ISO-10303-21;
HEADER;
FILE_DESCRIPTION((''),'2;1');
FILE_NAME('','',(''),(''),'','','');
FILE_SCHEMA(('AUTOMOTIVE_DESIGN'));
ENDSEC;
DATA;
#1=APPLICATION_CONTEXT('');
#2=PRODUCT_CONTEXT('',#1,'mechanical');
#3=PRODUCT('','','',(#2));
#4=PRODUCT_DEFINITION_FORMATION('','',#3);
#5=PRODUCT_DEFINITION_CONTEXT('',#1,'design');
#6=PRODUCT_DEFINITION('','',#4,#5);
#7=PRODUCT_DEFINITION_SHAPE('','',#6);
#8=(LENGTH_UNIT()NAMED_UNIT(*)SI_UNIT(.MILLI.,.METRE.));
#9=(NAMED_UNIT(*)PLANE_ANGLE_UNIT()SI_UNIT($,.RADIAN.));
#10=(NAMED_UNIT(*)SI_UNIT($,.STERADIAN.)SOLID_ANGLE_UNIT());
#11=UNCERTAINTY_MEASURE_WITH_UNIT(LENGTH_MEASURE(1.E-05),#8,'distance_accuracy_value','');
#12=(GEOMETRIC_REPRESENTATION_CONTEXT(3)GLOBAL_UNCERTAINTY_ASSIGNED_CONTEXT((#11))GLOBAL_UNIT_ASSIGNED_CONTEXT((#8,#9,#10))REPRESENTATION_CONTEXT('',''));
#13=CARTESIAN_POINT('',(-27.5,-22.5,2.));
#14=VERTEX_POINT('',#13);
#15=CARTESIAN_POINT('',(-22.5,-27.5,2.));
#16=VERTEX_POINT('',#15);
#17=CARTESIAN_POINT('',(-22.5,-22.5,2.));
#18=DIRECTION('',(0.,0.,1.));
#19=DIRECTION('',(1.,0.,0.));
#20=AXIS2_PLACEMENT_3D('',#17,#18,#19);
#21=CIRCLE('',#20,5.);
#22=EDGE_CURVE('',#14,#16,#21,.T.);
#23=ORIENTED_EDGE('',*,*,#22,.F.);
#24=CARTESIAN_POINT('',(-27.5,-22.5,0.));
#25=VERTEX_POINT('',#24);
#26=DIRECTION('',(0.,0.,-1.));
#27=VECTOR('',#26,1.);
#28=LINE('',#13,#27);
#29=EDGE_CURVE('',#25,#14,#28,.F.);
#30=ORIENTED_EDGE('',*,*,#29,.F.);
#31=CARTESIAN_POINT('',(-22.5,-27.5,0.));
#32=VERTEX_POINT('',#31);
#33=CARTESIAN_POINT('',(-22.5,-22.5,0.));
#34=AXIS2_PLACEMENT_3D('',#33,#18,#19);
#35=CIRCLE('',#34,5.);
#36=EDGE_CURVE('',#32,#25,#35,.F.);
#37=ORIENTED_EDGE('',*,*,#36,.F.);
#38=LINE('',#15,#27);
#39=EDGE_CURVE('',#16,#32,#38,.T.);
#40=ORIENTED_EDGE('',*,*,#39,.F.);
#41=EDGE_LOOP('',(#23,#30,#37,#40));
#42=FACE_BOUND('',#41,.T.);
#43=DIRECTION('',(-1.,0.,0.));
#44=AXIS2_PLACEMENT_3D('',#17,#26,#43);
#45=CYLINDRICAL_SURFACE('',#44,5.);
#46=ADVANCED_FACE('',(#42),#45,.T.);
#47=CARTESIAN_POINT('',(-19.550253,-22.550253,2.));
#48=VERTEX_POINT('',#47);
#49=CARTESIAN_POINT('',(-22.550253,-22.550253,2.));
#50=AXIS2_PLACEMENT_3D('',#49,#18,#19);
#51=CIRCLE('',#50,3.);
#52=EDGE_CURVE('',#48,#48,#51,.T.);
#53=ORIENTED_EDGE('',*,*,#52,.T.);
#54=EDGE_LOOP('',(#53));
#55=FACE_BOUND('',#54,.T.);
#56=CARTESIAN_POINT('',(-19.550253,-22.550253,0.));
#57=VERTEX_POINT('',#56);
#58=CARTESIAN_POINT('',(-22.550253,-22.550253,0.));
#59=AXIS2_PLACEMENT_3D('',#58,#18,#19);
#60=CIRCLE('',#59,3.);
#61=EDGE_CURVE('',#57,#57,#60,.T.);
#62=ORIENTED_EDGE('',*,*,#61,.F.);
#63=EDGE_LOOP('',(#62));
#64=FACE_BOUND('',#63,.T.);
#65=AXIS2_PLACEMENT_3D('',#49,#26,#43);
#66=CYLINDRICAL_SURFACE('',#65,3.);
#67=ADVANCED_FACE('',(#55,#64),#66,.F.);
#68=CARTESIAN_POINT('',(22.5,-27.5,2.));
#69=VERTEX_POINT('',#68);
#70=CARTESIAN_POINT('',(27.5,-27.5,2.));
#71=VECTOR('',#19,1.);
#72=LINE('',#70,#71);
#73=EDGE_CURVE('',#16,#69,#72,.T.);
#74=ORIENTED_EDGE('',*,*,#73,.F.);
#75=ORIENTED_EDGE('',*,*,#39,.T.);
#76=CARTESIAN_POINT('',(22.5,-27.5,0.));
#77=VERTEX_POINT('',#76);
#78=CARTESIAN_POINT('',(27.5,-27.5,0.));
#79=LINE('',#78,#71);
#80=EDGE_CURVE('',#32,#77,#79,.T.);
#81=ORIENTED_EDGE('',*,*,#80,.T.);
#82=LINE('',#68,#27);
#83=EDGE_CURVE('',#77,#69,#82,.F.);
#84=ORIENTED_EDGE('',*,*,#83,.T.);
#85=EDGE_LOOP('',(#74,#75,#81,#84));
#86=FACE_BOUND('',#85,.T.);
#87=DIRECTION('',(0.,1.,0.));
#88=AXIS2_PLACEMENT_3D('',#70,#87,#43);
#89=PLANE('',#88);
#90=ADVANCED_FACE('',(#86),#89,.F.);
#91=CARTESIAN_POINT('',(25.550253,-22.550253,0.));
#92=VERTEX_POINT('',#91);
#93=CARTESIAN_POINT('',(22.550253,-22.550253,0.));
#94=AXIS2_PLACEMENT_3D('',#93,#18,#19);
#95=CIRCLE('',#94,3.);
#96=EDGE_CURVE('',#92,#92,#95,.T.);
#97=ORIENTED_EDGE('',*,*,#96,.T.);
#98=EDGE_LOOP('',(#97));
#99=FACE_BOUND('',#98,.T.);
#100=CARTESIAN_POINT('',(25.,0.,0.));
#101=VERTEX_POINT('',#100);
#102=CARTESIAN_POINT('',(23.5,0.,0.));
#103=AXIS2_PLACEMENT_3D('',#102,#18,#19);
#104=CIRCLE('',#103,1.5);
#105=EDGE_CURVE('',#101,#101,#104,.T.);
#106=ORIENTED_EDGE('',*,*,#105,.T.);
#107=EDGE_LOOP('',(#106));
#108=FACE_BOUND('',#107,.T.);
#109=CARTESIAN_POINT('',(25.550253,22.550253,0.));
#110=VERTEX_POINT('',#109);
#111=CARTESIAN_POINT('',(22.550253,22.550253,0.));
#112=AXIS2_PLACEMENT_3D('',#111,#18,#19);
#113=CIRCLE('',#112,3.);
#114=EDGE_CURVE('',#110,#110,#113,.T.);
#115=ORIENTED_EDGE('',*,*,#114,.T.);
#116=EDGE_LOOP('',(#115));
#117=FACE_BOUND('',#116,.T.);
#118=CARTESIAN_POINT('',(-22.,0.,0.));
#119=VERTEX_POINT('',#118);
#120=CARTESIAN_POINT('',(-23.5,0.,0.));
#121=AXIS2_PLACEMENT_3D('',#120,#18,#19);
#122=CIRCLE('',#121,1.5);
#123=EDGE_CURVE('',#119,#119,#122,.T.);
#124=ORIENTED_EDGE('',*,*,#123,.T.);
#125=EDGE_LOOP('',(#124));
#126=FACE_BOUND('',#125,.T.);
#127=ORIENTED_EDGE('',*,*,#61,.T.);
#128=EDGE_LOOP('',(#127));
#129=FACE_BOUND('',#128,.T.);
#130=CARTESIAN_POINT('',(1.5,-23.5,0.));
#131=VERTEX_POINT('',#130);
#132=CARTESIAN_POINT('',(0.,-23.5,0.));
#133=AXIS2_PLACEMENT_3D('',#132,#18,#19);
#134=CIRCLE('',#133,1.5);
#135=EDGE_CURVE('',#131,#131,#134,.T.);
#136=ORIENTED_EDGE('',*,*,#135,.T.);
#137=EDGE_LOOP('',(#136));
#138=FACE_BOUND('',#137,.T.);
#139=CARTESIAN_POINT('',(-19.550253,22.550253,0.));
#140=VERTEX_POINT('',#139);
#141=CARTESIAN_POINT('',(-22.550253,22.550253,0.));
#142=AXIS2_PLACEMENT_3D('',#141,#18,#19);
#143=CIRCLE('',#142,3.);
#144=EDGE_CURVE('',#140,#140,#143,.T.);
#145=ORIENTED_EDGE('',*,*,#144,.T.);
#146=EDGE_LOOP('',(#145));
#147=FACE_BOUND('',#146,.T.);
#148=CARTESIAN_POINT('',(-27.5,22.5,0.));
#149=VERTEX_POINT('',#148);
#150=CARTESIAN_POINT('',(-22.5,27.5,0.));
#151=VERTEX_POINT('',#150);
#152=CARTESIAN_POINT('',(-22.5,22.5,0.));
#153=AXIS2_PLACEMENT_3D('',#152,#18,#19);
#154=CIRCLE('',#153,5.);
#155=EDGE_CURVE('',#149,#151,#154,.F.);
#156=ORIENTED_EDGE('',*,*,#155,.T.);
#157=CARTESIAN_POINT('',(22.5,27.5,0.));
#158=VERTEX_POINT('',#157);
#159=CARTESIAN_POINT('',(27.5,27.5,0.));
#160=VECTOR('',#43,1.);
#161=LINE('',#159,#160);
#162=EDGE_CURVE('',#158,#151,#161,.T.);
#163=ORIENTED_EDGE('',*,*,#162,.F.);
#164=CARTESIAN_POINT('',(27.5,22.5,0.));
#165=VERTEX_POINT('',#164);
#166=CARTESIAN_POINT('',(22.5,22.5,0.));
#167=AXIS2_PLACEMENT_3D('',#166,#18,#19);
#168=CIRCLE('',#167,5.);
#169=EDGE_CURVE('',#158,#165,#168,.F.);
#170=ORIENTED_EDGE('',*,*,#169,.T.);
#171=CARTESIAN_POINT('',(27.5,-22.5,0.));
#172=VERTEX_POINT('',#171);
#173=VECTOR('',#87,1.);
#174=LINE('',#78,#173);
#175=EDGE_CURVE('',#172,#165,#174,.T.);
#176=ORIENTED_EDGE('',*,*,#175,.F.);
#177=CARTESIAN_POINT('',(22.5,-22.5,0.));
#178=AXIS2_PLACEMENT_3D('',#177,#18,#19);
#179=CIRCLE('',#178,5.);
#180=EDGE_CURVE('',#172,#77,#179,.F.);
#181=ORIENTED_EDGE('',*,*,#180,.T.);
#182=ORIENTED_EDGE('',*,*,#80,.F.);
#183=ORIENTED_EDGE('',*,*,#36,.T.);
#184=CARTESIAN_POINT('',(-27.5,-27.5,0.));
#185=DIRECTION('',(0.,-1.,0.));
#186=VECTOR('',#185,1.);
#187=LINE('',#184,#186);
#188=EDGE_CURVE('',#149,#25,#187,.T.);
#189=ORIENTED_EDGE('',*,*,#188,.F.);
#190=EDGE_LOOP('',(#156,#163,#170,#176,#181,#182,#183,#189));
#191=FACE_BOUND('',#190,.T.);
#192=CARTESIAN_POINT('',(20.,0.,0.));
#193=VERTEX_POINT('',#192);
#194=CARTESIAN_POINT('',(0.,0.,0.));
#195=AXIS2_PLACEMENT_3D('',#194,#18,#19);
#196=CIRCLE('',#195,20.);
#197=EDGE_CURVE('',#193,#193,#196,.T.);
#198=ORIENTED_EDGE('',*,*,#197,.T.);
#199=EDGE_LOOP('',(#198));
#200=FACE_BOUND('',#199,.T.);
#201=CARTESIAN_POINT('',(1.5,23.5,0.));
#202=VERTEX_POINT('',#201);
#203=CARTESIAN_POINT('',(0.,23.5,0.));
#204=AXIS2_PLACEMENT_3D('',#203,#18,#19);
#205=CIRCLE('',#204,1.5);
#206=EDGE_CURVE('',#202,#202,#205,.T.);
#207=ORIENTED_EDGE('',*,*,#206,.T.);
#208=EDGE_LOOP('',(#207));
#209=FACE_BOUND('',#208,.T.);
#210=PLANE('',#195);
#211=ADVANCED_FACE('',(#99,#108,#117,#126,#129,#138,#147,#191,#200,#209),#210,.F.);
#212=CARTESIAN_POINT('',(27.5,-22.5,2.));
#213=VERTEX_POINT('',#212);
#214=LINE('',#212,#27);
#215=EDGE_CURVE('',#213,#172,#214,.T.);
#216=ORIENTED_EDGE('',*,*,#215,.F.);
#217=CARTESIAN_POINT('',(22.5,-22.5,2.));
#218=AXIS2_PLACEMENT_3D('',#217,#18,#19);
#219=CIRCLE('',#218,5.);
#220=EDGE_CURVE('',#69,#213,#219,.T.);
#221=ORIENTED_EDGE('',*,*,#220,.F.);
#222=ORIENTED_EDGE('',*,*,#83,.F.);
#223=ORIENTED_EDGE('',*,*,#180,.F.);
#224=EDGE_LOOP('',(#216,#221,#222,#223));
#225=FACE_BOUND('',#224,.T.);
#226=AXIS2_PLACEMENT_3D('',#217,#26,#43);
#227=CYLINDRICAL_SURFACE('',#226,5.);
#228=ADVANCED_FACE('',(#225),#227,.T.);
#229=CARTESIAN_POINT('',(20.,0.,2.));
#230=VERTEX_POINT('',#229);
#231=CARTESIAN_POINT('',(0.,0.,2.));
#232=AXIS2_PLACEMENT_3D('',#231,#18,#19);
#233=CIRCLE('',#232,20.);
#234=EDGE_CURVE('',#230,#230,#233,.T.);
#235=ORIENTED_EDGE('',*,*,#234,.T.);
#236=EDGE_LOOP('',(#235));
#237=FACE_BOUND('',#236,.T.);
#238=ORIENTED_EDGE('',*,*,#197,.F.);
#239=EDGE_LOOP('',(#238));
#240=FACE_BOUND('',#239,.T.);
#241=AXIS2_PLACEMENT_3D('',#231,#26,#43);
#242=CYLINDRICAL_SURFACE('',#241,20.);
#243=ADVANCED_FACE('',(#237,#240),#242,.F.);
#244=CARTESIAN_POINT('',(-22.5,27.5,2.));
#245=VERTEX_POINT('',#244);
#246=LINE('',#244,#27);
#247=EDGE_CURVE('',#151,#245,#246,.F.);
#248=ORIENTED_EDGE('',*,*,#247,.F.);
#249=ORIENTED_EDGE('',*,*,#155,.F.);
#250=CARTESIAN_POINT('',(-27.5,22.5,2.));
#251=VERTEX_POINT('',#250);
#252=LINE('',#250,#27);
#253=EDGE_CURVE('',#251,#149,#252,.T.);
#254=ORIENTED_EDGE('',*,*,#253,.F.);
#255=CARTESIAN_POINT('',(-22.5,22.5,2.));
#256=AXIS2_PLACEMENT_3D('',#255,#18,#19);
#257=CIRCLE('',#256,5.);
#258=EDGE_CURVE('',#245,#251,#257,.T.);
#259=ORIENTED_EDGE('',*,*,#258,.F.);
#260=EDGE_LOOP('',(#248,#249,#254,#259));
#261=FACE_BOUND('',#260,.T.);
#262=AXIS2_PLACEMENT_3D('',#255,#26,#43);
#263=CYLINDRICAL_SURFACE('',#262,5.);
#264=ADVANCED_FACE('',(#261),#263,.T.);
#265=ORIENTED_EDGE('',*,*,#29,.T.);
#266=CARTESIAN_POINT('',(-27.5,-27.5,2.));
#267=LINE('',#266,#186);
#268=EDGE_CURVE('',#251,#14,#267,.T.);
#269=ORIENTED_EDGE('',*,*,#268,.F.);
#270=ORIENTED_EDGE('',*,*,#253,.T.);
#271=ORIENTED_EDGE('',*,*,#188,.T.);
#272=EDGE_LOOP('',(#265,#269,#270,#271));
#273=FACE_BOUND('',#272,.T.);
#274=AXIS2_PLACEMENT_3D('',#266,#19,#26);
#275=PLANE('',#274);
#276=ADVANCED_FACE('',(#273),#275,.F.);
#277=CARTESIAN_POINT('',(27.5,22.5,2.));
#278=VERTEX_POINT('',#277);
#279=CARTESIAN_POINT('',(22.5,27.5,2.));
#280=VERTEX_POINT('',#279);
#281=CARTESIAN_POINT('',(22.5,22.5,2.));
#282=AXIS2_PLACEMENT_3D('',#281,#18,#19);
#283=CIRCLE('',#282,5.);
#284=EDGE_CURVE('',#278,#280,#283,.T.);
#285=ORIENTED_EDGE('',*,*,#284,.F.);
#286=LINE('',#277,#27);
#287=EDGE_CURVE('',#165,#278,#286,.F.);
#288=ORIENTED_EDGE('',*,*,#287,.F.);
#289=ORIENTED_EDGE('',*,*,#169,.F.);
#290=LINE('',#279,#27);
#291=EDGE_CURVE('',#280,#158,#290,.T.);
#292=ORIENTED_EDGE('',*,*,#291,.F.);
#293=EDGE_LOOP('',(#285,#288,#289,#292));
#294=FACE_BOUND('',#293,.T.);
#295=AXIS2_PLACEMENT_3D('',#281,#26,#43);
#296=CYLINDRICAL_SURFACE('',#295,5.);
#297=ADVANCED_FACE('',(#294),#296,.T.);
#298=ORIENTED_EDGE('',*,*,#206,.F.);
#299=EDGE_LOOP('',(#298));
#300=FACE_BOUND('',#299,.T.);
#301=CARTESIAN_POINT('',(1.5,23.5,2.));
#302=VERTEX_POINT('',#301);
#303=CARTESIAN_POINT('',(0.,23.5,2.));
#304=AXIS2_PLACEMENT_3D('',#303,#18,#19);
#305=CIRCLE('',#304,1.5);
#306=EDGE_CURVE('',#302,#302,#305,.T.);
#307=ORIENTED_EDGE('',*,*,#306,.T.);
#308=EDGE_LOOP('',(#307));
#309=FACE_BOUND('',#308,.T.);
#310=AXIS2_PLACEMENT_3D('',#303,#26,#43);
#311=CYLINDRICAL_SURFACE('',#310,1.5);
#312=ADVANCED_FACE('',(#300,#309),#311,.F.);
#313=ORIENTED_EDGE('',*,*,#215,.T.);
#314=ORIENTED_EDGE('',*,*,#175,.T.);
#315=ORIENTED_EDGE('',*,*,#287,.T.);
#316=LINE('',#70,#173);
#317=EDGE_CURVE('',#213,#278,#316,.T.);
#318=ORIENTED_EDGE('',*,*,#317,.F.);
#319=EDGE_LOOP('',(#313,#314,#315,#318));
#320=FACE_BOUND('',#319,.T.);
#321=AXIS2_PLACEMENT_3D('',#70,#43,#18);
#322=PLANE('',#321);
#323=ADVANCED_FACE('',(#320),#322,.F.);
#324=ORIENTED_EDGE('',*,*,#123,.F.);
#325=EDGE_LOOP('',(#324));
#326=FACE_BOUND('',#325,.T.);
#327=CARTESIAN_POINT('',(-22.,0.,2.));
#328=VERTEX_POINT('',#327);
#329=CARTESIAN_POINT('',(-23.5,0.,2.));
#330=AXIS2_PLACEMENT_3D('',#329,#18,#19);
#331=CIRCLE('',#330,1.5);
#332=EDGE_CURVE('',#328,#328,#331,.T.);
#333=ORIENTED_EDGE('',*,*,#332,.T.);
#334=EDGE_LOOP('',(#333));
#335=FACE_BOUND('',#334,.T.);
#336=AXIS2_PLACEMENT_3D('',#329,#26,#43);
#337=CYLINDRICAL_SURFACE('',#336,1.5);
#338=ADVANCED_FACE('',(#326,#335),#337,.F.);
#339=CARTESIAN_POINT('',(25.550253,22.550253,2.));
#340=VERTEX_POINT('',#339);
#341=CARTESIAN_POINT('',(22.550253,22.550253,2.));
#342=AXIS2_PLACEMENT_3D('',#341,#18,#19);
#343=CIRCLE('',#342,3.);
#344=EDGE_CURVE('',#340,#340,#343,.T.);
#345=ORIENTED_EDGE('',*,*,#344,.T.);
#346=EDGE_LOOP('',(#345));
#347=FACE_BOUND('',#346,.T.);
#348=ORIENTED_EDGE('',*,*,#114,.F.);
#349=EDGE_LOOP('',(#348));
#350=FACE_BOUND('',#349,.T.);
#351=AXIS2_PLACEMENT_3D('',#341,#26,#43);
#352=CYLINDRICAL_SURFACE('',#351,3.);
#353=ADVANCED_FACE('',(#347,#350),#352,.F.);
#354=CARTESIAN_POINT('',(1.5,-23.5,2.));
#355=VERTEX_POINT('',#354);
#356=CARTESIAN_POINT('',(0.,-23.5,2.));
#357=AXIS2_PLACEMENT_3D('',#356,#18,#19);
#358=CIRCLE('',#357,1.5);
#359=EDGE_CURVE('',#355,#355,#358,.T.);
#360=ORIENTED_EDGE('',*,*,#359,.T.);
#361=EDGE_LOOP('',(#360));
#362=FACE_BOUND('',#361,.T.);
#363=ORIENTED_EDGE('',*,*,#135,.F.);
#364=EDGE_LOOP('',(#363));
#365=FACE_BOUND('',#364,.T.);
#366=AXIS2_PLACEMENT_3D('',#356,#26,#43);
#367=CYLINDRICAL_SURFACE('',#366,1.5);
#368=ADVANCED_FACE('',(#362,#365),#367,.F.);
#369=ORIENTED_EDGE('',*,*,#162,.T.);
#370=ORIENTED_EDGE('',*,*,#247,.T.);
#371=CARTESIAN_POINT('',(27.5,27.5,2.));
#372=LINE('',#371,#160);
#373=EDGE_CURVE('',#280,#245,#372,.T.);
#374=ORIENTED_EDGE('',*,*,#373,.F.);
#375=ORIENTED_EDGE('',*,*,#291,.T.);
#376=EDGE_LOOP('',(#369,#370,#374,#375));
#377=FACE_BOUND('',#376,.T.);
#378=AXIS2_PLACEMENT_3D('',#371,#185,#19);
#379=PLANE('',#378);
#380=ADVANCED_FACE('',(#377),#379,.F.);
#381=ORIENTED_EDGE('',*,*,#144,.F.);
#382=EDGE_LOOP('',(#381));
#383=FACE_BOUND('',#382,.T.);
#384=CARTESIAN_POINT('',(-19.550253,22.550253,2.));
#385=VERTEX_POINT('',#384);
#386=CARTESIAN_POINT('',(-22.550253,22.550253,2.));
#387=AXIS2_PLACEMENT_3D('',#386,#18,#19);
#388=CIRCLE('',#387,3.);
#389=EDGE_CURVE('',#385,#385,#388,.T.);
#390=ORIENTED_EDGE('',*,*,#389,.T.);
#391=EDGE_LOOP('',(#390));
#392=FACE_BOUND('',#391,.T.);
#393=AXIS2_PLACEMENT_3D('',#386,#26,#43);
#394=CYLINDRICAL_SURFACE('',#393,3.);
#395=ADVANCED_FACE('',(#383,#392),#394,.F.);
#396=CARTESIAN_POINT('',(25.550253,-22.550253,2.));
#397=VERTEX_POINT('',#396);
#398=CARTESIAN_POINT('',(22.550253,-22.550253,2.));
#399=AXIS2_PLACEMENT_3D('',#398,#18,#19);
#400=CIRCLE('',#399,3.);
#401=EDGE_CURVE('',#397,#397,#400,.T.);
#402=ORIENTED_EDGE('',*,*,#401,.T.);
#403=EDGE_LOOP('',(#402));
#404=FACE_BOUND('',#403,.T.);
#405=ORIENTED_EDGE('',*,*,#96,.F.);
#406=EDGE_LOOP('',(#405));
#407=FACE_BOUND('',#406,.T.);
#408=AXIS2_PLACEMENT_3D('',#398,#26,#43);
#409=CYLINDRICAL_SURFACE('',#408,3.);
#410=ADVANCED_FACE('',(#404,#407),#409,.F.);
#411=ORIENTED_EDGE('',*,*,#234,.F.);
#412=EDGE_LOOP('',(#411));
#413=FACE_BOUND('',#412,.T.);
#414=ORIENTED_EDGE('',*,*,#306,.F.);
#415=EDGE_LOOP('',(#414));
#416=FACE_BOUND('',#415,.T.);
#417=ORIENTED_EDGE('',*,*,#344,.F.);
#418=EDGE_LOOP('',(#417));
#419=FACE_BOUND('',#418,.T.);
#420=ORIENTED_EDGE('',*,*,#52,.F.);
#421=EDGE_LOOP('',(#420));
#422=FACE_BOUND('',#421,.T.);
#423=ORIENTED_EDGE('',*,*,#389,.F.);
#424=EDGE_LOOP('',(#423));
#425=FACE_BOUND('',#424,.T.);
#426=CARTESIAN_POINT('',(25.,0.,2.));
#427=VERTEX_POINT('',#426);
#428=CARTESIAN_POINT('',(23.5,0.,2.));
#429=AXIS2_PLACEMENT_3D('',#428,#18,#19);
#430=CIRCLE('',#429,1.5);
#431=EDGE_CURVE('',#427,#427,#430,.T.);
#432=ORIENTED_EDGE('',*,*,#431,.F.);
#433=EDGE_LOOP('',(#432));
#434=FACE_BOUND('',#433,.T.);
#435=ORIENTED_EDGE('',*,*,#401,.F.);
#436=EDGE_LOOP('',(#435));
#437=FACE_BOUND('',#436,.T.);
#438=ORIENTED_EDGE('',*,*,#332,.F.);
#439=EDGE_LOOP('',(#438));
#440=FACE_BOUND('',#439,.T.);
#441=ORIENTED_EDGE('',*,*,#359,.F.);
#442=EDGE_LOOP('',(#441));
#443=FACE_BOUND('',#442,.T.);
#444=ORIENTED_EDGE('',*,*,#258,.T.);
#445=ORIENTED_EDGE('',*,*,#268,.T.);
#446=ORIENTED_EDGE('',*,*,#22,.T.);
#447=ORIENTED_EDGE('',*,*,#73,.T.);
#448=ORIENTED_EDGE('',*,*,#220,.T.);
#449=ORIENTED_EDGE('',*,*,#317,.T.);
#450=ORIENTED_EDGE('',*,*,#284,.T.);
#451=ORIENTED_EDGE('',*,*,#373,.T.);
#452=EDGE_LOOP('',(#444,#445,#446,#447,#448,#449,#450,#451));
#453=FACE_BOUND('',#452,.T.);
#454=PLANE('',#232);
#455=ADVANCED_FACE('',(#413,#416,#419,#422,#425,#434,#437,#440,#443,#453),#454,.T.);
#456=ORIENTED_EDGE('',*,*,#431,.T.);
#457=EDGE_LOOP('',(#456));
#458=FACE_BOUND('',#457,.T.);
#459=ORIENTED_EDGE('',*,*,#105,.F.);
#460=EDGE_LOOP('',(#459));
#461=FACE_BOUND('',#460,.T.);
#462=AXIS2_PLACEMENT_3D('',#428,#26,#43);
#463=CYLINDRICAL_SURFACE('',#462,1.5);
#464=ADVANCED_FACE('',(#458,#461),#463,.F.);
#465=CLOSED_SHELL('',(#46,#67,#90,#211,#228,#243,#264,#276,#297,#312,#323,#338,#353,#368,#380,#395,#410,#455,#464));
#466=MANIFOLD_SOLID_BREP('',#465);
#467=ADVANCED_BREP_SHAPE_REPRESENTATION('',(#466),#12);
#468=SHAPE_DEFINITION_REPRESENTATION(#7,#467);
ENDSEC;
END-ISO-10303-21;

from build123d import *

# Parameters (mm, degrees)
CROQUIS1_W              = 55
CROQUIS1_H              = 55
CROQUIS1_R              = 20
CROQUIS1_R_2            = 3
CROQUIS1_R_3            = 1.5
SALIENTE_EXTRUIR1_DEPTH = 2
REDONDEO1_R             = 5


with BuildPart() as part:
    # Croquis1 → Saliente-Extruir1 (new body)
    with BuildSketch(Plane.XY):
        Rectangle(CROQUIS1_W, CROQUIS1_H)
        Circle(CROQUIS1_R, mode=Mode.SUBTRACT)
        with Locations((-22.550252532, 22.550252532)):
            Circle(CROQUIS1_R_2, mode=Mode.SUBTRACT)
        with Locations((22.550252532, 22.550252532)):
            Circle(CROQUIS1_R_2, mode=Mode.SUBTRACT)
        with Locations((22.550252532, -22.550252532)):
            Circle(CROQUIS1_R_2, mode=Mode.SUBTRACT)
        with Locations((-22.550252532, -22.550252532)):
            Circle(CROQUIS1_R_2, mode=Mode.SUBTRACT)
        with Locations((0, 23.5)):
            Circle(CROQUIS1_R_3, mode=Mode.SUBTRACT)
        with Locations((23.5, 0)):
            Circle(CROQUIS1_R_3, mode=Mode.SUBTRACT)
        with Locations((0, -23.5)):
            Circle(CROQUIS1_R_3, mode=Mode.SUBTRACT)
        with Locations((-23.5, 0)):
            Circle(CROQUIS1_R_3, mode=Mode.SUBTRACT)
    extrude(amount=SALIENTE_EXTRUIR1_DEPTH)

    # Redondeo1
    redondeo1_edges = [part.edges().sort_by_distance(p)[0] for p in [
        (-27.5, 27.5, 1),
        (27.5, 27.5, 1),
        (27.5, -27.5, 1),
        (-27.5, -27.5, 1),
    ]]
    fillet(redondeo1_edges, radius=REDONDEO1_R)


solid = part.part
